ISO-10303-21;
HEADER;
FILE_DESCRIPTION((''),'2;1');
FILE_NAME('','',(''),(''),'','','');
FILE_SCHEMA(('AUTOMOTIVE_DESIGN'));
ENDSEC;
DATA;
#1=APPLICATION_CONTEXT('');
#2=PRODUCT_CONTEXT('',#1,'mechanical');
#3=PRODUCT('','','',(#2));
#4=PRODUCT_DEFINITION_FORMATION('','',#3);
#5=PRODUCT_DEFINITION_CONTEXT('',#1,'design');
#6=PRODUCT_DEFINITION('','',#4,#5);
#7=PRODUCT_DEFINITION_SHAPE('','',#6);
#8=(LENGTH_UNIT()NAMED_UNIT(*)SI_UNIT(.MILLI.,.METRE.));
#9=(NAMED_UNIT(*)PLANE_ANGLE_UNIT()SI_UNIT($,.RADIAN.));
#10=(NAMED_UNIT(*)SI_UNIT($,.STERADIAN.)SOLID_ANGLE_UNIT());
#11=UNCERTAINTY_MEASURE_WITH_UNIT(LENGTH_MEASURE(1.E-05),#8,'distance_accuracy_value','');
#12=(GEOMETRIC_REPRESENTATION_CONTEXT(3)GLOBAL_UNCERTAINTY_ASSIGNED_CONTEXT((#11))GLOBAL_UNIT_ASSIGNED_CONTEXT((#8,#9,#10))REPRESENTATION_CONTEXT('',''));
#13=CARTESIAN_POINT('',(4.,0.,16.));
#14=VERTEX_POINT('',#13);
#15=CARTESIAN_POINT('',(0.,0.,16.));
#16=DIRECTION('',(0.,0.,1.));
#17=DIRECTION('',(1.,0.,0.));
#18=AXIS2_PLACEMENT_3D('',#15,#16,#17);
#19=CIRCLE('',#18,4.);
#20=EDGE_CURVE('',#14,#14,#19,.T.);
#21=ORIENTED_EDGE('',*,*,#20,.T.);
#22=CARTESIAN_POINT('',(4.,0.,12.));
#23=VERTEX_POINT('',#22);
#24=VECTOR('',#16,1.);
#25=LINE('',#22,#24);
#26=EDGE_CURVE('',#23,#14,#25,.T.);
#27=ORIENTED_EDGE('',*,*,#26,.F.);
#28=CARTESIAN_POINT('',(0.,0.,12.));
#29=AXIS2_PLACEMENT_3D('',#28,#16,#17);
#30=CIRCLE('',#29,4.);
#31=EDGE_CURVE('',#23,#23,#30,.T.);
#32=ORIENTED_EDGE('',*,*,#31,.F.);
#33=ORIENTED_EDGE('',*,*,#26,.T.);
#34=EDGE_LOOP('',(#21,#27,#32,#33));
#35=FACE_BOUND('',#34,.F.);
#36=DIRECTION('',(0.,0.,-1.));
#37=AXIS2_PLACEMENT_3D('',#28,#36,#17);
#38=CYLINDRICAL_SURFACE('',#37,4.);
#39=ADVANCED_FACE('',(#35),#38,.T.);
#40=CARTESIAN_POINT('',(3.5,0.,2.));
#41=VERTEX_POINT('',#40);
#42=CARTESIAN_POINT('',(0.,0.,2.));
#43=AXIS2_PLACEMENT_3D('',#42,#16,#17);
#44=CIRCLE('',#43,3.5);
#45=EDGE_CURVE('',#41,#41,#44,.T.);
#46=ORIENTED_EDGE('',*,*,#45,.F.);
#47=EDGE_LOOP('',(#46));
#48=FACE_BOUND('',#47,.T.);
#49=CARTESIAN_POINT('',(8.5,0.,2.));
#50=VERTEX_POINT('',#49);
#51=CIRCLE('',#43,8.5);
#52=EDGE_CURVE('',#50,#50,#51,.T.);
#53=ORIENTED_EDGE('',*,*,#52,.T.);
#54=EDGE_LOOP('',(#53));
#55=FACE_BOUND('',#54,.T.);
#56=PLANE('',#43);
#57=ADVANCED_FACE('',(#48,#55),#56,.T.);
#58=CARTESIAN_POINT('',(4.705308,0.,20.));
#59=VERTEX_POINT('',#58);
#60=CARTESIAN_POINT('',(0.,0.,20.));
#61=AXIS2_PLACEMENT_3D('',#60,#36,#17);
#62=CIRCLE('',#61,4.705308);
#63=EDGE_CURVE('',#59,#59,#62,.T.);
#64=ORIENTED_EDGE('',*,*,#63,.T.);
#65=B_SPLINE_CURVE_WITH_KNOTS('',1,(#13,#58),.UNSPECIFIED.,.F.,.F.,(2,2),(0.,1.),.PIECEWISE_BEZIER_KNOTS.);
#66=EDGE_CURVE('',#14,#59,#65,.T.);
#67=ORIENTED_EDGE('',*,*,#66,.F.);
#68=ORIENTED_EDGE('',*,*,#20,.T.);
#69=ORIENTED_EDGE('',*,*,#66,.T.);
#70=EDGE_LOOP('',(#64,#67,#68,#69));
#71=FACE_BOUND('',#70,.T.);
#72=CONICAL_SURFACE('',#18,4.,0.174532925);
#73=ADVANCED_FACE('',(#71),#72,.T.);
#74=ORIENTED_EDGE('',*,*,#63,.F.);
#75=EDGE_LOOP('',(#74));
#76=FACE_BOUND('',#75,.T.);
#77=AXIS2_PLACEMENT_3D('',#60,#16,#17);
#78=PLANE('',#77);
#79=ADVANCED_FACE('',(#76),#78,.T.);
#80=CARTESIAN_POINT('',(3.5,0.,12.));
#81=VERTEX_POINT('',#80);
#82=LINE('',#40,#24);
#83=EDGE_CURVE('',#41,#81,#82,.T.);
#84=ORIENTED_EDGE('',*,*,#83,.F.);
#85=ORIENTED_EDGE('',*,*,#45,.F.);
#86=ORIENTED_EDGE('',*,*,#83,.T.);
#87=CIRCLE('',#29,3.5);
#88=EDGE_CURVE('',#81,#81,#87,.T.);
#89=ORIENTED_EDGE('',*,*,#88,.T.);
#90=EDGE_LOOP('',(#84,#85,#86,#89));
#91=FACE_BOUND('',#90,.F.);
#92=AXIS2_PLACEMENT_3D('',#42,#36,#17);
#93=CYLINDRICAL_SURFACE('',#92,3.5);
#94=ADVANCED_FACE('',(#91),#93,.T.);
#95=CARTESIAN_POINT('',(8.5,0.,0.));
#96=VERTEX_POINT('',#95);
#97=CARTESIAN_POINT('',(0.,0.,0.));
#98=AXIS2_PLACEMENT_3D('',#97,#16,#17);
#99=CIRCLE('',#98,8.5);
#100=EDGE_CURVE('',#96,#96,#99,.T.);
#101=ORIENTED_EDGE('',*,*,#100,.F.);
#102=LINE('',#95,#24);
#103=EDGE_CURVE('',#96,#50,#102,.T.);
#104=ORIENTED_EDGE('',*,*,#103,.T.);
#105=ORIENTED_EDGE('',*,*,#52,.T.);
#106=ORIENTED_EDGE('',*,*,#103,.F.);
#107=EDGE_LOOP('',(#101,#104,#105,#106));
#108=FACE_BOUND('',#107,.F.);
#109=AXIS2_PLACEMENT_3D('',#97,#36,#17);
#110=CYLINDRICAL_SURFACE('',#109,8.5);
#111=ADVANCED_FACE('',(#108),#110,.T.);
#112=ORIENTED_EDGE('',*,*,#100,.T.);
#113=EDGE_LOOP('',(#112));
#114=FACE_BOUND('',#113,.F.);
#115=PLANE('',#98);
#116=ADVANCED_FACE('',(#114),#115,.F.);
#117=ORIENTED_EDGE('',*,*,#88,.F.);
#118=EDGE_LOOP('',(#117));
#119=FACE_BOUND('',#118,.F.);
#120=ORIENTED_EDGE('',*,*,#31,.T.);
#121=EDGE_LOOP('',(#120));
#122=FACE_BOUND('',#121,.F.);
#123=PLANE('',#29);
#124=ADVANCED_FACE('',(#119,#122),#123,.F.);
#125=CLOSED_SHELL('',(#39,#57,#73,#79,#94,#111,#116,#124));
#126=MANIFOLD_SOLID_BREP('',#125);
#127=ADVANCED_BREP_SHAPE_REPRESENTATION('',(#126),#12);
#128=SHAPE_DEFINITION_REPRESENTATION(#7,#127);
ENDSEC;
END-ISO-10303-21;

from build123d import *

# Parameters (mm, degrees)
F0_R      = 8.5
F1_DEPTH  = 2
F2_R      = 3.5
F3_DEPTH  = 10
F4_R      = 4
F5_DEPTH  = 4
F5_FACE_R = 4
F6_DEPTH  = 4
F6_TAPER  = -10


with BuildPart() as f1:
    # F0 (on Top) → F1 (new body)
    with BuildSketch(Plane.XY):
        Circle(F0_R)
    extrude(amount=F1_DEPTH)

    # F2 (on face) → F3 (join)
    with BuildSketch(Plane.XY.offset(2)):
        Circle(F2_R)
    extrude(amount=F3_DEPTH)

    # F4 (on face) → F5 (join)
    with BuildSketch(Plane.XY.offset(12)):
        Circle(F4_R)
    extrude(amount=F5_DEPTH)

    # F5_face (on face) → F6 (join)
    with BuildSketch(Plane.XY.offset(16)):
        Circle(F5_FACE_R)
    extrude(amount=F6_DEPTH, taper=F6_TAPER)


solid = f1.part
